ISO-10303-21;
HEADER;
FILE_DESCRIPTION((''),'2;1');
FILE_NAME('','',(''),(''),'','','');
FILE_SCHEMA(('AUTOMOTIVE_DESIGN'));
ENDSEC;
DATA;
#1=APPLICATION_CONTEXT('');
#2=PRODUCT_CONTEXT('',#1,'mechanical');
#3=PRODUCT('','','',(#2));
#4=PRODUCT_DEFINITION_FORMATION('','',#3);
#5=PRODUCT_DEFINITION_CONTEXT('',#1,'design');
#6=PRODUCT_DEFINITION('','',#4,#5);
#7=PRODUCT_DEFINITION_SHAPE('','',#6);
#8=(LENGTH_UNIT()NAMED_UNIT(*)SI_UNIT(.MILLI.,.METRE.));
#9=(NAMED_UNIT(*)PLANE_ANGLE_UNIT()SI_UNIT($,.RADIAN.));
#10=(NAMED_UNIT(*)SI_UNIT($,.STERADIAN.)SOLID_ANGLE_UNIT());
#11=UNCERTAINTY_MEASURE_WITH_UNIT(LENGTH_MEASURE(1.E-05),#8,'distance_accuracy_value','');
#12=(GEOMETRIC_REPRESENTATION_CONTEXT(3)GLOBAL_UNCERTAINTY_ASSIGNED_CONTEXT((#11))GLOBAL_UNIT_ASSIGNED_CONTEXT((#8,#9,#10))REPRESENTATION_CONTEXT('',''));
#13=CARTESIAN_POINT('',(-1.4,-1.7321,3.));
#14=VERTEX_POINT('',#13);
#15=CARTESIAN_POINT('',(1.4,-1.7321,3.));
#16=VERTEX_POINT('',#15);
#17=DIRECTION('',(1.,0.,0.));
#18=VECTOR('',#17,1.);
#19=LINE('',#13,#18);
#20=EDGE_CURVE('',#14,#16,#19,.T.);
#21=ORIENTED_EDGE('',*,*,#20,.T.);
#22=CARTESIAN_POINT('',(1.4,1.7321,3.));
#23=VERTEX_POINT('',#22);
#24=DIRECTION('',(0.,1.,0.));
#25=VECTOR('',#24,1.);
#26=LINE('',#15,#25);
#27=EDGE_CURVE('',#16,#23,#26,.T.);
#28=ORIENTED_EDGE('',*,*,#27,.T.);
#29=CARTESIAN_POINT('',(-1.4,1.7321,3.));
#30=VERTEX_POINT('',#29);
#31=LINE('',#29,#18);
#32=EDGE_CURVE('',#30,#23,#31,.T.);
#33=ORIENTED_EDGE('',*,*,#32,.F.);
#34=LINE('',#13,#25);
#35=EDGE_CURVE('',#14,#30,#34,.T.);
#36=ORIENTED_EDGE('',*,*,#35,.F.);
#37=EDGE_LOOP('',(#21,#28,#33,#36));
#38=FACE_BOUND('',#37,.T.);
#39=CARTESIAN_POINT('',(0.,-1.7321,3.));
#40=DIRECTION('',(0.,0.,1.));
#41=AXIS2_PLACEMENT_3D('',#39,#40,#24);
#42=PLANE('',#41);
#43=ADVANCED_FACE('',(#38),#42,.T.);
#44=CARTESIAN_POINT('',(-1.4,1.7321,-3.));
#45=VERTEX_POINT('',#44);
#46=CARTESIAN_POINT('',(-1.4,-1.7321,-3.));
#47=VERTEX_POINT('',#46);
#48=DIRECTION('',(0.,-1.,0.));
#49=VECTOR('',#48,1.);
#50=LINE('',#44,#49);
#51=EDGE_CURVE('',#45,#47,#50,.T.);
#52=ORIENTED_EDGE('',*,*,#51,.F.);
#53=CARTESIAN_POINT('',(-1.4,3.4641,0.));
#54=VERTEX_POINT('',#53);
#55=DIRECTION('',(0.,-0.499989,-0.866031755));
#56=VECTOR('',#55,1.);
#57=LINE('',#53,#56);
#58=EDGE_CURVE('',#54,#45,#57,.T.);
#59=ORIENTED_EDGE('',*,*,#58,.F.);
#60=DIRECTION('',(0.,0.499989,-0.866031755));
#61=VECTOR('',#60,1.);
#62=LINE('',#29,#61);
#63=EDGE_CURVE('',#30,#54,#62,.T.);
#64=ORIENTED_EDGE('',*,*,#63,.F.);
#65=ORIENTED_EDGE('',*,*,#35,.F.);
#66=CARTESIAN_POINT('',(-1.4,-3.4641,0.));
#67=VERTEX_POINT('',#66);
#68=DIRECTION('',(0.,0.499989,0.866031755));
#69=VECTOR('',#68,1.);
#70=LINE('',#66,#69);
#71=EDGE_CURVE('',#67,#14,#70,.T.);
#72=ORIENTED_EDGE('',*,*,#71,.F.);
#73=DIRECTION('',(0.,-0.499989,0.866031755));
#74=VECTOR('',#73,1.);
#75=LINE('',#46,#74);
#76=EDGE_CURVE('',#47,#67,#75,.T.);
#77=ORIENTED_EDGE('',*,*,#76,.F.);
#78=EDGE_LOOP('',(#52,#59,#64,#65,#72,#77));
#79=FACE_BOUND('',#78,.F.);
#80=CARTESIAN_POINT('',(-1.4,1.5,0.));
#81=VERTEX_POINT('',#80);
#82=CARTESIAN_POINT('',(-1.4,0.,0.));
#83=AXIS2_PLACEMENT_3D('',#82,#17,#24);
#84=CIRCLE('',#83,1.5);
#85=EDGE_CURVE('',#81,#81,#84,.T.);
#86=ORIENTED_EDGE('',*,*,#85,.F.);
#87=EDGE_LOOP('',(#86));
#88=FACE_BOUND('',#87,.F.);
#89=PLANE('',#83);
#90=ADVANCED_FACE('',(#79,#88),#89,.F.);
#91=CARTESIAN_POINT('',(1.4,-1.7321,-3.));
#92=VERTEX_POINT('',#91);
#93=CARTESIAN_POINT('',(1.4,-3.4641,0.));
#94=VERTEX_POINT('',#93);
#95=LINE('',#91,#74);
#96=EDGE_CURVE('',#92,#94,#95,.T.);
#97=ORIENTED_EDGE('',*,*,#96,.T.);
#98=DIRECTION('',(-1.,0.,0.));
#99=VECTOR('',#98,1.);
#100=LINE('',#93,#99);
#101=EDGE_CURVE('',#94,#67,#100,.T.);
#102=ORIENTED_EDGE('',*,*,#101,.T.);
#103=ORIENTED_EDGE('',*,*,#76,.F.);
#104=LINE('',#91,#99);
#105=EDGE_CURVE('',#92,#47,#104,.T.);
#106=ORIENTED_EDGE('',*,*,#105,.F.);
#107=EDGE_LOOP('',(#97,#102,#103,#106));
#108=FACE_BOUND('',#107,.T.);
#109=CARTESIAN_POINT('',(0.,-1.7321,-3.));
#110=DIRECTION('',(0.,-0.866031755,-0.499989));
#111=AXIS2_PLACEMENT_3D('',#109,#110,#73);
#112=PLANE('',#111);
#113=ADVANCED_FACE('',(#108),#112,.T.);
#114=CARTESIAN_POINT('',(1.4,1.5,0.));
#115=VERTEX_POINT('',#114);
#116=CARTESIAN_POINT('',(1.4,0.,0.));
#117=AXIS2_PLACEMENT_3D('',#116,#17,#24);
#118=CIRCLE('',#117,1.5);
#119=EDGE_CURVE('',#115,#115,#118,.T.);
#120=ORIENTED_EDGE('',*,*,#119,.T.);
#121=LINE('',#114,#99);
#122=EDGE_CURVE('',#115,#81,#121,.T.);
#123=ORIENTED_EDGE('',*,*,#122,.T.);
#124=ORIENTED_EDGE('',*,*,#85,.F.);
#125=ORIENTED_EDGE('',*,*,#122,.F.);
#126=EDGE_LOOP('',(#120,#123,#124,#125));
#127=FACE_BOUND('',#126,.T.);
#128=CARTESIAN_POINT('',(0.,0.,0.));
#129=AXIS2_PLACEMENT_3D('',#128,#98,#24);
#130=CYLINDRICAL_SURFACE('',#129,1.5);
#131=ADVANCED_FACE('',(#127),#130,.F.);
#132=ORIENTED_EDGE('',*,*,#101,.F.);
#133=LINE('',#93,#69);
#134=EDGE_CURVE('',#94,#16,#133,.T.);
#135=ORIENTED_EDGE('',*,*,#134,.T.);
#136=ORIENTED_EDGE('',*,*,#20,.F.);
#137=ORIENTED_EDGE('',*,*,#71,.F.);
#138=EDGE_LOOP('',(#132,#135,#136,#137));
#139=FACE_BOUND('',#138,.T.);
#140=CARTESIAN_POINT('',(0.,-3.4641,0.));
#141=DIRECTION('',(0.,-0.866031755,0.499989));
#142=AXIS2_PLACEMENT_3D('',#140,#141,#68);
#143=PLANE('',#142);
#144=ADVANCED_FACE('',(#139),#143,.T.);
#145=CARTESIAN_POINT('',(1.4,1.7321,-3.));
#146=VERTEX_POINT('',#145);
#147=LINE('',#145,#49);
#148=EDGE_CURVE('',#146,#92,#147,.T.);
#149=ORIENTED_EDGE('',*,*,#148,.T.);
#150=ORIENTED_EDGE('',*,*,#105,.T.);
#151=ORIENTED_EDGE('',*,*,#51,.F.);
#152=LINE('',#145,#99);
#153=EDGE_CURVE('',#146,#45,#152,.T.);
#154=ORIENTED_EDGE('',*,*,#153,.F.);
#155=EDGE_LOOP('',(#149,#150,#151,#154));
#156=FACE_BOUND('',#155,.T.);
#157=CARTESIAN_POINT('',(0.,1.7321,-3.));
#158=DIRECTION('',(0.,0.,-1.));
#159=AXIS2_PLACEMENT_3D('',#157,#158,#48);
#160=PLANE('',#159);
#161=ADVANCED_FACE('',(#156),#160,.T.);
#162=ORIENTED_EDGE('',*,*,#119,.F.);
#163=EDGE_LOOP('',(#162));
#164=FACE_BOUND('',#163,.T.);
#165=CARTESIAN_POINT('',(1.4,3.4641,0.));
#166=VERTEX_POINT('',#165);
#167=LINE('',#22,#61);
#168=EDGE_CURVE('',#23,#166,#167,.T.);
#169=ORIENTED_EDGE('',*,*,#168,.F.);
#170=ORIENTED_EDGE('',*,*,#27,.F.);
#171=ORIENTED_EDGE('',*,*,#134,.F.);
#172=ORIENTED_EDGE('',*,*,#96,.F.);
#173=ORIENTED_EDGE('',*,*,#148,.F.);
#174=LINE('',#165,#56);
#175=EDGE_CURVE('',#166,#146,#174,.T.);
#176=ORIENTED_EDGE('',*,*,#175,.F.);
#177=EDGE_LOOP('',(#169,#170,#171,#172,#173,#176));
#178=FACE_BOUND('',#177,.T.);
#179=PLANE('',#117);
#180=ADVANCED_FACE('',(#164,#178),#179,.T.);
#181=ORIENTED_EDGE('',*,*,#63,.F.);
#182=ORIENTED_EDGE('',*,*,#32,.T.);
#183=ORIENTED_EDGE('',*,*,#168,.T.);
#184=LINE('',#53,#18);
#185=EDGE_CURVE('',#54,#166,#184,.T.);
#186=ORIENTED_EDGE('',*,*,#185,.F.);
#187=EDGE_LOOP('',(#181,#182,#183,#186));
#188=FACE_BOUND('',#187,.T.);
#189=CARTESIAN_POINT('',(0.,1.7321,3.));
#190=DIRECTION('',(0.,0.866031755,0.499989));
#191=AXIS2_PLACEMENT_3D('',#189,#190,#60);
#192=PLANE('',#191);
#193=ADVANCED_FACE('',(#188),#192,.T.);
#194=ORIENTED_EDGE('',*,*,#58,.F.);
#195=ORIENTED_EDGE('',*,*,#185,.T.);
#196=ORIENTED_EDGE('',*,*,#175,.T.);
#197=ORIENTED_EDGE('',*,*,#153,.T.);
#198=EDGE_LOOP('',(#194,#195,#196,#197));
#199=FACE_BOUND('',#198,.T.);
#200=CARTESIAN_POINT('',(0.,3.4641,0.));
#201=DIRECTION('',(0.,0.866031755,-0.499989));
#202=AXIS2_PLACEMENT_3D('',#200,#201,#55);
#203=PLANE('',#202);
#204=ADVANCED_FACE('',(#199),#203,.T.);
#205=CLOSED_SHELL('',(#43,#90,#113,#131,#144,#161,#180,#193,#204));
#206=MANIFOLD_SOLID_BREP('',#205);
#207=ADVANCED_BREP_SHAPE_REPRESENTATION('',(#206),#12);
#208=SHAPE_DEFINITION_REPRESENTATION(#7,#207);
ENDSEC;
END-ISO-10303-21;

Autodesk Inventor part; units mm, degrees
ref_plane "YZ Plane" through (0, 0, 0) normal (1, 0, 0) x (0, 1, 0)
ref_plane "XZ Plane" through (0, 0, 0) normal (0, 1, 0) x (-1, 0, 0)
ref_plane "XY Plane" through (0, 0, 0) normal (0, 0, 1) x (1, 0, 0)
sketch "Sketch1" plane through (0, 0, 0) normal (1, 0, 0) x (0, 1, 0)
  line L0 (3.4641, 0) -> (1.7321, -3)
  line L1 (1.7321, -3) -> (-1.7321, -3)
  line L2 (-1.7321, -3) -> (-3.4641, 0)
  line L3 (-3.4641, 0) -> (-1.7321, 3)
  line L4 (-1.7321, 3) -> (1.7321, 3)
  line L5 (1.7321, 3) -> (3.4641, 0)
  circle A0 centre (0, 0) radius 1.5
  dimension "d1" = 6
  dimension "d2" = 3
extrude "Extrusion1" add sketch "Sketch1" along normal mid plane 2.8
thread "Thread1" size "M3x0.5" class "6H" standard "ANSI Metric M Profile" full length
properties part number "Porca do Escudo"
